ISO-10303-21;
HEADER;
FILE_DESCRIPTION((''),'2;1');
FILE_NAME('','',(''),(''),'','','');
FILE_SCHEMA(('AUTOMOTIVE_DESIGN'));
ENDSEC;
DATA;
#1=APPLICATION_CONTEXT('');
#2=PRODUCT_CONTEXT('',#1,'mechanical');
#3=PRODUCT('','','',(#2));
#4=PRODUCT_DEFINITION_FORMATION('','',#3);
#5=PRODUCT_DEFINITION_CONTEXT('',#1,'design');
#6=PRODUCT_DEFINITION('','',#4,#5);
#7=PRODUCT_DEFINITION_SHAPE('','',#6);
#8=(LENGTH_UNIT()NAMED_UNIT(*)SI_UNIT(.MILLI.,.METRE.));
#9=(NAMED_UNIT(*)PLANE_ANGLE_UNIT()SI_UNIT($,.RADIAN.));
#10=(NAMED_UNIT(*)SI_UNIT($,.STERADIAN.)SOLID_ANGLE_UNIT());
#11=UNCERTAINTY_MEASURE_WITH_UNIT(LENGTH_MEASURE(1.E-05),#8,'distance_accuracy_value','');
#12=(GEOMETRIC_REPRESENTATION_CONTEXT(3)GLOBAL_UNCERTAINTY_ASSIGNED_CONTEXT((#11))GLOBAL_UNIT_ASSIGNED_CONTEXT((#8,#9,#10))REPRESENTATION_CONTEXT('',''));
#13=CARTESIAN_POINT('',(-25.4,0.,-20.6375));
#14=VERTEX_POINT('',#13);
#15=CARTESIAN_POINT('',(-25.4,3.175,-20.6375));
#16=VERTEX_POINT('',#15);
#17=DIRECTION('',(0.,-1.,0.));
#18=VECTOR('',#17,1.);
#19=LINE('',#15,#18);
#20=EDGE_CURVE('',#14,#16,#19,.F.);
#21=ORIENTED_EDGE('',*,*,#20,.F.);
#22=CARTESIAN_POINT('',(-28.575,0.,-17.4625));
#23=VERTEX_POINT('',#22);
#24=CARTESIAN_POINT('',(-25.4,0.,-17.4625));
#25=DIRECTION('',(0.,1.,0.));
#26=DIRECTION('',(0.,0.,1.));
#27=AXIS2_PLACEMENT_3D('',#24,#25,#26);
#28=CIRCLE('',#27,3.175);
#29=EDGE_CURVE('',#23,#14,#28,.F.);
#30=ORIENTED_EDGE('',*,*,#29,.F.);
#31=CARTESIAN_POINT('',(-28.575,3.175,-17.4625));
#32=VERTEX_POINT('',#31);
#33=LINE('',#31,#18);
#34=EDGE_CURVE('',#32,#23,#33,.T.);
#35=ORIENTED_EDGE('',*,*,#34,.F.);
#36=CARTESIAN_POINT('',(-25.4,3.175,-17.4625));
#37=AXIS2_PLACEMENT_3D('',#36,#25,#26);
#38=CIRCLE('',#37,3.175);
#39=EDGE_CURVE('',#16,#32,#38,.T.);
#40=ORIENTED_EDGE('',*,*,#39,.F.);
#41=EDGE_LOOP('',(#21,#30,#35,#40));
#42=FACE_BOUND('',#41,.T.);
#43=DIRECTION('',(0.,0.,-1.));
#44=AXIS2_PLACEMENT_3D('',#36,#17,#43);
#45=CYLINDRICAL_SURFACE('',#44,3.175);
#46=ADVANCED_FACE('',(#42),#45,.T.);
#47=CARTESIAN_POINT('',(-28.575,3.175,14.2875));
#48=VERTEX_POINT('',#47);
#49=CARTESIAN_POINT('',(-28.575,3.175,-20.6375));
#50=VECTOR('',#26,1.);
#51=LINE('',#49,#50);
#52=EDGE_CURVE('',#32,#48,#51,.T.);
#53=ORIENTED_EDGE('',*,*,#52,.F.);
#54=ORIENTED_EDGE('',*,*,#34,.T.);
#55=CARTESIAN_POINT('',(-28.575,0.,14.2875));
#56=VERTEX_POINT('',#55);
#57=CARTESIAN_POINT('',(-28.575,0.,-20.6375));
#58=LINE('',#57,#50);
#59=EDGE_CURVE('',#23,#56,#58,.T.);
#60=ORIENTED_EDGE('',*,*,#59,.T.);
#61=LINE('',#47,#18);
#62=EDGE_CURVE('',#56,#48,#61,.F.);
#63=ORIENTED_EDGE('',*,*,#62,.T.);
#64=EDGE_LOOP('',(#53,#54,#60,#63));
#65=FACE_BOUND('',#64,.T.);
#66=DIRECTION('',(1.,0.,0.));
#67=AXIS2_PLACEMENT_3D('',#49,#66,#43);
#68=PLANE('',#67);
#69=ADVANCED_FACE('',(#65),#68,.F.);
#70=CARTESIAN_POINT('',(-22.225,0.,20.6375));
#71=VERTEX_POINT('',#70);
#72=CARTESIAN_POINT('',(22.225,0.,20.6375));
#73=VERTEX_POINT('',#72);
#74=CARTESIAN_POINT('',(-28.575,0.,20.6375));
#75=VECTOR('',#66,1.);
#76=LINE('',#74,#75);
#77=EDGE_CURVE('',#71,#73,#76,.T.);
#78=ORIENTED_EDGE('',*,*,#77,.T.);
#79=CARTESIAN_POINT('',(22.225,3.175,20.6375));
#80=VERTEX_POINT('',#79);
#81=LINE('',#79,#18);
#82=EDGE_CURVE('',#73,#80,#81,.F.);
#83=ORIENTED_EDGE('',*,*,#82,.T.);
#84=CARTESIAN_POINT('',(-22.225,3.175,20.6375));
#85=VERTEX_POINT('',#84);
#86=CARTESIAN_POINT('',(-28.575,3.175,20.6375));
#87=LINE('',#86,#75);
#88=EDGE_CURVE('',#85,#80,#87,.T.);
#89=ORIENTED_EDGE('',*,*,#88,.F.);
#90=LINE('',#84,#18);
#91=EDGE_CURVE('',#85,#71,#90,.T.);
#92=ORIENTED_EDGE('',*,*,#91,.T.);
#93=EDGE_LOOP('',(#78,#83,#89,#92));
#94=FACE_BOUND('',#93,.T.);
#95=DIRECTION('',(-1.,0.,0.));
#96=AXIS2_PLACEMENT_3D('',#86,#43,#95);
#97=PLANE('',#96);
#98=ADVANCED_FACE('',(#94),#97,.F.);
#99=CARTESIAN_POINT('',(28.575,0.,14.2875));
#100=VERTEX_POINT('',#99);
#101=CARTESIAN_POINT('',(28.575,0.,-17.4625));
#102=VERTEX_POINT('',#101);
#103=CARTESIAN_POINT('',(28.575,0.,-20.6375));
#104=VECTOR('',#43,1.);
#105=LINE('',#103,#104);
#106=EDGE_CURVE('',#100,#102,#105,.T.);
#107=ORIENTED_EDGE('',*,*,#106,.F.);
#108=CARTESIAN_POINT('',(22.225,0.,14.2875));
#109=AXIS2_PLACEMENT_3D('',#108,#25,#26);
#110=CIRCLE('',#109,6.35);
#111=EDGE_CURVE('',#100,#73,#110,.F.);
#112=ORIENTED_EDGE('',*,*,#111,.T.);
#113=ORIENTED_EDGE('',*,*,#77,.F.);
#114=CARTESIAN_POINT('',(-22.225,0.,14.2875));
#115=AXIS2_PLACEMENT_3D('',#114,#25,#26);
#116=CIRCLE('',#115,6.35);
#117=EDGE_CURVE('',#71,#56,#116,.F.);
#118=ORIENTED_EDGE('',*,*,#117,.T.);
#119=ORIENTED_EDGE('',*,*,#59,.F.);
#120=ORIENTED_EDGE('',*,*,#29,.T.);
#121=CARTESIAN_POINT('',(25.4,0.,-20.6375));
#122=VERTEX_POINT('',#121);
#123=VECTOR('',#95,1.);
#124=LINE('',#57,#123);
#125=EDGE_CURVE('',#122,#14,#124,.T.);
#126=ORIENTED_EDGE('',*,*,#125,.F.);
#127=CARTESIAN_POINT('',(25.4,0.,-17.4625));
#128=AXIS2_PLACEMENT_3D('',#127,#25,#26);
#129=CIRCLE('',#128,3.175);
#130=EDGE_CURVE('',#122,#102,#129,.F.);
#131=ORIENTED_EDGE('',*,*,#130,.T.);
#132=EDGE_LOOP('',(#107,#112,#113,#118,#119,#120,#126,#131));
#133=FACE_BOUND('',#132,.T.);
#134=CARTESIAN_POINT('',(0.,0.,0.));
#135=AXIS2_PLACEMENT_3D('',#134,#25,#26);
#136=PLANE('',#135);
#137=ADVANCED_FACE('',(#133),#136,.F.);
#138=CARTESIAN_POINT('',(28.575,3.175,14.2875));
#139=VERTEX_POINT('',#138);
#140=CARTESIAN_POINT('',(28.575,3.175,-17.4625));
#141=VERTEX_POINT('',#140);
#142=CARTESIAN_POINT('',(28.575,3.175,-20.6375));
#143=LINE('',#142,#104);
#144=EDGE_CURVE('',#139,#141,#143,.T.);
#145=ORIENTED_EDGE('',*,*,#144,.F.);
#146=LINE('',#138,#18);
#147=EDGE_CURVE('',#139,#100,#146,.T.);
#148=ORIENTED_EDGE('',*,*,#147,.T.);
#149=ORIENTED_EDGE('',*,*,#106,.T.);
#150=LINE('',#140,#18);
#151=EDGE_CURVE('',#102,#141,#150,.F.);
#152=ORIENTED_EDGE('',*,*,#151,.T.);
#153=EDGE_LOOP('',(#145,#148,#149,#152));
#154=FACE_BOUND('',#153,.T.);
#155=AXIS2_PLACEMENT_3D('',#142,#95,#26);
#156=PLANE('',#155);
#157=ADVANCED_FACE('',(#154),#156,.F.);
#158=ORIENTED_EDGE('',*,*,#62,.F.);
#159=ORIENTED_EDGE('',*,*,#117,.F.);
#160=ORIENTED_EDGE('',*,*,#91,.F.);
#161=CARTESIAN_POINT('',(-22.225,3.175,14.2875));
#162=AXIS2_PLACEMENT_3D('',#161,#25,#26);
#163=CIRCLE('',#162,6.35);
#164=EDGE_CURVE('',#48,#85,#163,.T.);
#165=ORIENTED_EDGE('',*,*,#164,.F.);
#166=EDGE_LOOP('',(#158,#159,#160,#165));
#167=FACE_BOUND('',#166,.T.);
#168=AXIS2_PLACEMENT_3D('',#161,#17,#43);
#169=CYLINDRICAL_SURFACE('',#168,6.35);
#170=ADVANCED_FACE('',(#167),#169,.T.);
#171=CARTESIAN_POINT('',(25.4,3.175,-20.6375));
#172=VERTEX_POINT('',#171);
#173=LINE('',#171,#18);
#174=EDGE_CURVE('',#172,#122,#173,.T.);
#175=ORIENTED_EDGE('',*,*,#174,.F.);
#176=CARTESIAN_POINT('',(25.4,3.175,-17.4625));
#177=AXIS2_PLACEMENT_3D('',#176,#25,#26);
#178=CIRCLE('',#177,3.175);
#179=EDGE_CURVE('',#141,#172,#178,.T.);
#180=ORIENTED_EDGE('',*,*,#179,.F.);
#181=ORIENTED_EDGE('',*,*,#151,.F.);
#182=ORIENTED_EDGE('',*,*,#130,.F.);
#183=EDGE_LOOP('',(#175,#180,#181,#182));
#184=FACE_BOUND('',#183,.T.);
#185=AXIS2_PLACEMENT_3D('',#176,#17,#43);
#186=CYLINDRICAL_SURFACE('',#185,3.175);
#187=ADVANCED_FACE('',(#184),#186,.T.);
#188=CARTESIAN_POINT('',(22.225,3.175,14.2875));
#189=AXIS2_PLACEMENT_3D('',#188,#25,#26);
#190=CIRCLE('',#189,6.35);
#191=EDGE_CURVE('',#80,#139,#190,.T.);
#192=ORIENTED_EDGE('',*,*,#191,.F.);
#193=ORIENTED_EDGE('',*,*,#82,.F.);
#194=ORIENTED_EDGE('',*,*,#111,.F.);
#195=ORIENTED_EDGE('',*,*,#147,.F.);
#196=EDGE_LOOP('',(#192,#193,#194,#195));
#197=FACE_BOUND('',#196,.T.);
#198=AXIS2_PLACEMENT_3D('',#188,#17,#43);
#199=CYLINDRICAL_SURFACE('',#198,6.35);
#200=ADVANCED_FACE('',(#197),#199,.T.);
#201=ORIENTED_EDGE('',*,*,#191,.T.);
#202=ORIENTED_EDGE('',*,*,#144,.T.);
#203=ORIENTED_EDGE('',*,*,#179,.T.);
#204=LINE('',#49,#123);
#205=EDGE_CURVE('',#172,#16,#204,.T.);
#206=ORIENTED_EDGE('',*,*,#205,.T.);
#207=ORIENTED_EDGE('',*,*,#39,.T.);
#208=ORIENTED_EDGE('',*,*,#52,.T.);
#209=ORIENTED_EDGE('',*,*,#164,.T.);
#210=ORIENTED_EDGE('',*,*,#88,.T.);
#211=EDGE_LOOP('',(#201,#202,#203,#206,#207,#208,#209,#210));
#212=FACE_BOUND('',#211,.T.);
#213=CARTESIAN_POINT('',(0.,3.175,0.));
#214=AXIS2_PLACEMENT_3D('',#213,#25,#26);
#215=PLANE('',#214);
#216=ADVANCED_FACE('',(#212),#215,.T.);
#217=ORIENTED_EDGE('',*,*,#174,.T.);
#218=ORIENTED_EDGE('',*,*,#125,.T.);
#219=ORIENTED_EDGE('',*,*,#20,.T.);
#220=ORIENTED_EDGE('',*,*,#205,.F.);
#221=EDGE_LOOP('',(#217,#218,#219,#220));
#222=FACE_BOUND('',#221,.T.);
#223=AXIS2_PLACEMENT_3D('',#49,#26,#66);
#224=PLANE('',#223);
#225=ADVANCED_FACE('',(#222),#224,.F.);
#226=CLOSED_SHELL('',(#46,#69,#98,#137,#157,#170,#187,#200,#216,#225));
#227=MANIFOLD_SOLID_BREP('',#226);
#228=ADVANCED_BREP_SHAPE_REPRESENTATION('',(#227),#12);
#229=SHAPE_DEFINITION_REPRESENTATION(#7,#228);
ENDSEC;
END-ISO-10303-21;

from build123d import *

# Parameters (mm, degrees)
SKETCH1_W           = 57.15
SKETCH1_H           = 41.275
BOSS_EXTRUDE1_DEPTH = 3.175
FILLET1_R           = 6.35
FILLET2_R           = 3.175


with BuildPart() as part:
    # Sketch1 → Boss-Extrude1 (new body)
    with BuildSketch(Plane(origin=(0, 0, 0), x_dir=(1, 0, 0), z_dir=(0, 1, 0))):
        Rectangle(SKETCH1_W, SKETCH1_H)
    extrude(amount=BOSS_EXTRUDE1_DEPTH)

    # Fillet1
    fillet1_edges = [part.edges().sort_by_distance(p)[0] for p in [
        (28.575, 1.5875, 20.6375),
        (-28.575, 1.5875, 20.6375),
    ]]
    fillet(fillet1_edges, radius=FILLET1_R)

    # Fillet2
    fillet2_edges = [part.edges().sort_by_distance(p)[0] for p in [
        (-28.575, 1.5875, -20.6375),
        (28.575, 1.5875, -20.6375),
    ]]
    fillet(fillet2_edges, radius=FILLET2_R)


solid = part.part
